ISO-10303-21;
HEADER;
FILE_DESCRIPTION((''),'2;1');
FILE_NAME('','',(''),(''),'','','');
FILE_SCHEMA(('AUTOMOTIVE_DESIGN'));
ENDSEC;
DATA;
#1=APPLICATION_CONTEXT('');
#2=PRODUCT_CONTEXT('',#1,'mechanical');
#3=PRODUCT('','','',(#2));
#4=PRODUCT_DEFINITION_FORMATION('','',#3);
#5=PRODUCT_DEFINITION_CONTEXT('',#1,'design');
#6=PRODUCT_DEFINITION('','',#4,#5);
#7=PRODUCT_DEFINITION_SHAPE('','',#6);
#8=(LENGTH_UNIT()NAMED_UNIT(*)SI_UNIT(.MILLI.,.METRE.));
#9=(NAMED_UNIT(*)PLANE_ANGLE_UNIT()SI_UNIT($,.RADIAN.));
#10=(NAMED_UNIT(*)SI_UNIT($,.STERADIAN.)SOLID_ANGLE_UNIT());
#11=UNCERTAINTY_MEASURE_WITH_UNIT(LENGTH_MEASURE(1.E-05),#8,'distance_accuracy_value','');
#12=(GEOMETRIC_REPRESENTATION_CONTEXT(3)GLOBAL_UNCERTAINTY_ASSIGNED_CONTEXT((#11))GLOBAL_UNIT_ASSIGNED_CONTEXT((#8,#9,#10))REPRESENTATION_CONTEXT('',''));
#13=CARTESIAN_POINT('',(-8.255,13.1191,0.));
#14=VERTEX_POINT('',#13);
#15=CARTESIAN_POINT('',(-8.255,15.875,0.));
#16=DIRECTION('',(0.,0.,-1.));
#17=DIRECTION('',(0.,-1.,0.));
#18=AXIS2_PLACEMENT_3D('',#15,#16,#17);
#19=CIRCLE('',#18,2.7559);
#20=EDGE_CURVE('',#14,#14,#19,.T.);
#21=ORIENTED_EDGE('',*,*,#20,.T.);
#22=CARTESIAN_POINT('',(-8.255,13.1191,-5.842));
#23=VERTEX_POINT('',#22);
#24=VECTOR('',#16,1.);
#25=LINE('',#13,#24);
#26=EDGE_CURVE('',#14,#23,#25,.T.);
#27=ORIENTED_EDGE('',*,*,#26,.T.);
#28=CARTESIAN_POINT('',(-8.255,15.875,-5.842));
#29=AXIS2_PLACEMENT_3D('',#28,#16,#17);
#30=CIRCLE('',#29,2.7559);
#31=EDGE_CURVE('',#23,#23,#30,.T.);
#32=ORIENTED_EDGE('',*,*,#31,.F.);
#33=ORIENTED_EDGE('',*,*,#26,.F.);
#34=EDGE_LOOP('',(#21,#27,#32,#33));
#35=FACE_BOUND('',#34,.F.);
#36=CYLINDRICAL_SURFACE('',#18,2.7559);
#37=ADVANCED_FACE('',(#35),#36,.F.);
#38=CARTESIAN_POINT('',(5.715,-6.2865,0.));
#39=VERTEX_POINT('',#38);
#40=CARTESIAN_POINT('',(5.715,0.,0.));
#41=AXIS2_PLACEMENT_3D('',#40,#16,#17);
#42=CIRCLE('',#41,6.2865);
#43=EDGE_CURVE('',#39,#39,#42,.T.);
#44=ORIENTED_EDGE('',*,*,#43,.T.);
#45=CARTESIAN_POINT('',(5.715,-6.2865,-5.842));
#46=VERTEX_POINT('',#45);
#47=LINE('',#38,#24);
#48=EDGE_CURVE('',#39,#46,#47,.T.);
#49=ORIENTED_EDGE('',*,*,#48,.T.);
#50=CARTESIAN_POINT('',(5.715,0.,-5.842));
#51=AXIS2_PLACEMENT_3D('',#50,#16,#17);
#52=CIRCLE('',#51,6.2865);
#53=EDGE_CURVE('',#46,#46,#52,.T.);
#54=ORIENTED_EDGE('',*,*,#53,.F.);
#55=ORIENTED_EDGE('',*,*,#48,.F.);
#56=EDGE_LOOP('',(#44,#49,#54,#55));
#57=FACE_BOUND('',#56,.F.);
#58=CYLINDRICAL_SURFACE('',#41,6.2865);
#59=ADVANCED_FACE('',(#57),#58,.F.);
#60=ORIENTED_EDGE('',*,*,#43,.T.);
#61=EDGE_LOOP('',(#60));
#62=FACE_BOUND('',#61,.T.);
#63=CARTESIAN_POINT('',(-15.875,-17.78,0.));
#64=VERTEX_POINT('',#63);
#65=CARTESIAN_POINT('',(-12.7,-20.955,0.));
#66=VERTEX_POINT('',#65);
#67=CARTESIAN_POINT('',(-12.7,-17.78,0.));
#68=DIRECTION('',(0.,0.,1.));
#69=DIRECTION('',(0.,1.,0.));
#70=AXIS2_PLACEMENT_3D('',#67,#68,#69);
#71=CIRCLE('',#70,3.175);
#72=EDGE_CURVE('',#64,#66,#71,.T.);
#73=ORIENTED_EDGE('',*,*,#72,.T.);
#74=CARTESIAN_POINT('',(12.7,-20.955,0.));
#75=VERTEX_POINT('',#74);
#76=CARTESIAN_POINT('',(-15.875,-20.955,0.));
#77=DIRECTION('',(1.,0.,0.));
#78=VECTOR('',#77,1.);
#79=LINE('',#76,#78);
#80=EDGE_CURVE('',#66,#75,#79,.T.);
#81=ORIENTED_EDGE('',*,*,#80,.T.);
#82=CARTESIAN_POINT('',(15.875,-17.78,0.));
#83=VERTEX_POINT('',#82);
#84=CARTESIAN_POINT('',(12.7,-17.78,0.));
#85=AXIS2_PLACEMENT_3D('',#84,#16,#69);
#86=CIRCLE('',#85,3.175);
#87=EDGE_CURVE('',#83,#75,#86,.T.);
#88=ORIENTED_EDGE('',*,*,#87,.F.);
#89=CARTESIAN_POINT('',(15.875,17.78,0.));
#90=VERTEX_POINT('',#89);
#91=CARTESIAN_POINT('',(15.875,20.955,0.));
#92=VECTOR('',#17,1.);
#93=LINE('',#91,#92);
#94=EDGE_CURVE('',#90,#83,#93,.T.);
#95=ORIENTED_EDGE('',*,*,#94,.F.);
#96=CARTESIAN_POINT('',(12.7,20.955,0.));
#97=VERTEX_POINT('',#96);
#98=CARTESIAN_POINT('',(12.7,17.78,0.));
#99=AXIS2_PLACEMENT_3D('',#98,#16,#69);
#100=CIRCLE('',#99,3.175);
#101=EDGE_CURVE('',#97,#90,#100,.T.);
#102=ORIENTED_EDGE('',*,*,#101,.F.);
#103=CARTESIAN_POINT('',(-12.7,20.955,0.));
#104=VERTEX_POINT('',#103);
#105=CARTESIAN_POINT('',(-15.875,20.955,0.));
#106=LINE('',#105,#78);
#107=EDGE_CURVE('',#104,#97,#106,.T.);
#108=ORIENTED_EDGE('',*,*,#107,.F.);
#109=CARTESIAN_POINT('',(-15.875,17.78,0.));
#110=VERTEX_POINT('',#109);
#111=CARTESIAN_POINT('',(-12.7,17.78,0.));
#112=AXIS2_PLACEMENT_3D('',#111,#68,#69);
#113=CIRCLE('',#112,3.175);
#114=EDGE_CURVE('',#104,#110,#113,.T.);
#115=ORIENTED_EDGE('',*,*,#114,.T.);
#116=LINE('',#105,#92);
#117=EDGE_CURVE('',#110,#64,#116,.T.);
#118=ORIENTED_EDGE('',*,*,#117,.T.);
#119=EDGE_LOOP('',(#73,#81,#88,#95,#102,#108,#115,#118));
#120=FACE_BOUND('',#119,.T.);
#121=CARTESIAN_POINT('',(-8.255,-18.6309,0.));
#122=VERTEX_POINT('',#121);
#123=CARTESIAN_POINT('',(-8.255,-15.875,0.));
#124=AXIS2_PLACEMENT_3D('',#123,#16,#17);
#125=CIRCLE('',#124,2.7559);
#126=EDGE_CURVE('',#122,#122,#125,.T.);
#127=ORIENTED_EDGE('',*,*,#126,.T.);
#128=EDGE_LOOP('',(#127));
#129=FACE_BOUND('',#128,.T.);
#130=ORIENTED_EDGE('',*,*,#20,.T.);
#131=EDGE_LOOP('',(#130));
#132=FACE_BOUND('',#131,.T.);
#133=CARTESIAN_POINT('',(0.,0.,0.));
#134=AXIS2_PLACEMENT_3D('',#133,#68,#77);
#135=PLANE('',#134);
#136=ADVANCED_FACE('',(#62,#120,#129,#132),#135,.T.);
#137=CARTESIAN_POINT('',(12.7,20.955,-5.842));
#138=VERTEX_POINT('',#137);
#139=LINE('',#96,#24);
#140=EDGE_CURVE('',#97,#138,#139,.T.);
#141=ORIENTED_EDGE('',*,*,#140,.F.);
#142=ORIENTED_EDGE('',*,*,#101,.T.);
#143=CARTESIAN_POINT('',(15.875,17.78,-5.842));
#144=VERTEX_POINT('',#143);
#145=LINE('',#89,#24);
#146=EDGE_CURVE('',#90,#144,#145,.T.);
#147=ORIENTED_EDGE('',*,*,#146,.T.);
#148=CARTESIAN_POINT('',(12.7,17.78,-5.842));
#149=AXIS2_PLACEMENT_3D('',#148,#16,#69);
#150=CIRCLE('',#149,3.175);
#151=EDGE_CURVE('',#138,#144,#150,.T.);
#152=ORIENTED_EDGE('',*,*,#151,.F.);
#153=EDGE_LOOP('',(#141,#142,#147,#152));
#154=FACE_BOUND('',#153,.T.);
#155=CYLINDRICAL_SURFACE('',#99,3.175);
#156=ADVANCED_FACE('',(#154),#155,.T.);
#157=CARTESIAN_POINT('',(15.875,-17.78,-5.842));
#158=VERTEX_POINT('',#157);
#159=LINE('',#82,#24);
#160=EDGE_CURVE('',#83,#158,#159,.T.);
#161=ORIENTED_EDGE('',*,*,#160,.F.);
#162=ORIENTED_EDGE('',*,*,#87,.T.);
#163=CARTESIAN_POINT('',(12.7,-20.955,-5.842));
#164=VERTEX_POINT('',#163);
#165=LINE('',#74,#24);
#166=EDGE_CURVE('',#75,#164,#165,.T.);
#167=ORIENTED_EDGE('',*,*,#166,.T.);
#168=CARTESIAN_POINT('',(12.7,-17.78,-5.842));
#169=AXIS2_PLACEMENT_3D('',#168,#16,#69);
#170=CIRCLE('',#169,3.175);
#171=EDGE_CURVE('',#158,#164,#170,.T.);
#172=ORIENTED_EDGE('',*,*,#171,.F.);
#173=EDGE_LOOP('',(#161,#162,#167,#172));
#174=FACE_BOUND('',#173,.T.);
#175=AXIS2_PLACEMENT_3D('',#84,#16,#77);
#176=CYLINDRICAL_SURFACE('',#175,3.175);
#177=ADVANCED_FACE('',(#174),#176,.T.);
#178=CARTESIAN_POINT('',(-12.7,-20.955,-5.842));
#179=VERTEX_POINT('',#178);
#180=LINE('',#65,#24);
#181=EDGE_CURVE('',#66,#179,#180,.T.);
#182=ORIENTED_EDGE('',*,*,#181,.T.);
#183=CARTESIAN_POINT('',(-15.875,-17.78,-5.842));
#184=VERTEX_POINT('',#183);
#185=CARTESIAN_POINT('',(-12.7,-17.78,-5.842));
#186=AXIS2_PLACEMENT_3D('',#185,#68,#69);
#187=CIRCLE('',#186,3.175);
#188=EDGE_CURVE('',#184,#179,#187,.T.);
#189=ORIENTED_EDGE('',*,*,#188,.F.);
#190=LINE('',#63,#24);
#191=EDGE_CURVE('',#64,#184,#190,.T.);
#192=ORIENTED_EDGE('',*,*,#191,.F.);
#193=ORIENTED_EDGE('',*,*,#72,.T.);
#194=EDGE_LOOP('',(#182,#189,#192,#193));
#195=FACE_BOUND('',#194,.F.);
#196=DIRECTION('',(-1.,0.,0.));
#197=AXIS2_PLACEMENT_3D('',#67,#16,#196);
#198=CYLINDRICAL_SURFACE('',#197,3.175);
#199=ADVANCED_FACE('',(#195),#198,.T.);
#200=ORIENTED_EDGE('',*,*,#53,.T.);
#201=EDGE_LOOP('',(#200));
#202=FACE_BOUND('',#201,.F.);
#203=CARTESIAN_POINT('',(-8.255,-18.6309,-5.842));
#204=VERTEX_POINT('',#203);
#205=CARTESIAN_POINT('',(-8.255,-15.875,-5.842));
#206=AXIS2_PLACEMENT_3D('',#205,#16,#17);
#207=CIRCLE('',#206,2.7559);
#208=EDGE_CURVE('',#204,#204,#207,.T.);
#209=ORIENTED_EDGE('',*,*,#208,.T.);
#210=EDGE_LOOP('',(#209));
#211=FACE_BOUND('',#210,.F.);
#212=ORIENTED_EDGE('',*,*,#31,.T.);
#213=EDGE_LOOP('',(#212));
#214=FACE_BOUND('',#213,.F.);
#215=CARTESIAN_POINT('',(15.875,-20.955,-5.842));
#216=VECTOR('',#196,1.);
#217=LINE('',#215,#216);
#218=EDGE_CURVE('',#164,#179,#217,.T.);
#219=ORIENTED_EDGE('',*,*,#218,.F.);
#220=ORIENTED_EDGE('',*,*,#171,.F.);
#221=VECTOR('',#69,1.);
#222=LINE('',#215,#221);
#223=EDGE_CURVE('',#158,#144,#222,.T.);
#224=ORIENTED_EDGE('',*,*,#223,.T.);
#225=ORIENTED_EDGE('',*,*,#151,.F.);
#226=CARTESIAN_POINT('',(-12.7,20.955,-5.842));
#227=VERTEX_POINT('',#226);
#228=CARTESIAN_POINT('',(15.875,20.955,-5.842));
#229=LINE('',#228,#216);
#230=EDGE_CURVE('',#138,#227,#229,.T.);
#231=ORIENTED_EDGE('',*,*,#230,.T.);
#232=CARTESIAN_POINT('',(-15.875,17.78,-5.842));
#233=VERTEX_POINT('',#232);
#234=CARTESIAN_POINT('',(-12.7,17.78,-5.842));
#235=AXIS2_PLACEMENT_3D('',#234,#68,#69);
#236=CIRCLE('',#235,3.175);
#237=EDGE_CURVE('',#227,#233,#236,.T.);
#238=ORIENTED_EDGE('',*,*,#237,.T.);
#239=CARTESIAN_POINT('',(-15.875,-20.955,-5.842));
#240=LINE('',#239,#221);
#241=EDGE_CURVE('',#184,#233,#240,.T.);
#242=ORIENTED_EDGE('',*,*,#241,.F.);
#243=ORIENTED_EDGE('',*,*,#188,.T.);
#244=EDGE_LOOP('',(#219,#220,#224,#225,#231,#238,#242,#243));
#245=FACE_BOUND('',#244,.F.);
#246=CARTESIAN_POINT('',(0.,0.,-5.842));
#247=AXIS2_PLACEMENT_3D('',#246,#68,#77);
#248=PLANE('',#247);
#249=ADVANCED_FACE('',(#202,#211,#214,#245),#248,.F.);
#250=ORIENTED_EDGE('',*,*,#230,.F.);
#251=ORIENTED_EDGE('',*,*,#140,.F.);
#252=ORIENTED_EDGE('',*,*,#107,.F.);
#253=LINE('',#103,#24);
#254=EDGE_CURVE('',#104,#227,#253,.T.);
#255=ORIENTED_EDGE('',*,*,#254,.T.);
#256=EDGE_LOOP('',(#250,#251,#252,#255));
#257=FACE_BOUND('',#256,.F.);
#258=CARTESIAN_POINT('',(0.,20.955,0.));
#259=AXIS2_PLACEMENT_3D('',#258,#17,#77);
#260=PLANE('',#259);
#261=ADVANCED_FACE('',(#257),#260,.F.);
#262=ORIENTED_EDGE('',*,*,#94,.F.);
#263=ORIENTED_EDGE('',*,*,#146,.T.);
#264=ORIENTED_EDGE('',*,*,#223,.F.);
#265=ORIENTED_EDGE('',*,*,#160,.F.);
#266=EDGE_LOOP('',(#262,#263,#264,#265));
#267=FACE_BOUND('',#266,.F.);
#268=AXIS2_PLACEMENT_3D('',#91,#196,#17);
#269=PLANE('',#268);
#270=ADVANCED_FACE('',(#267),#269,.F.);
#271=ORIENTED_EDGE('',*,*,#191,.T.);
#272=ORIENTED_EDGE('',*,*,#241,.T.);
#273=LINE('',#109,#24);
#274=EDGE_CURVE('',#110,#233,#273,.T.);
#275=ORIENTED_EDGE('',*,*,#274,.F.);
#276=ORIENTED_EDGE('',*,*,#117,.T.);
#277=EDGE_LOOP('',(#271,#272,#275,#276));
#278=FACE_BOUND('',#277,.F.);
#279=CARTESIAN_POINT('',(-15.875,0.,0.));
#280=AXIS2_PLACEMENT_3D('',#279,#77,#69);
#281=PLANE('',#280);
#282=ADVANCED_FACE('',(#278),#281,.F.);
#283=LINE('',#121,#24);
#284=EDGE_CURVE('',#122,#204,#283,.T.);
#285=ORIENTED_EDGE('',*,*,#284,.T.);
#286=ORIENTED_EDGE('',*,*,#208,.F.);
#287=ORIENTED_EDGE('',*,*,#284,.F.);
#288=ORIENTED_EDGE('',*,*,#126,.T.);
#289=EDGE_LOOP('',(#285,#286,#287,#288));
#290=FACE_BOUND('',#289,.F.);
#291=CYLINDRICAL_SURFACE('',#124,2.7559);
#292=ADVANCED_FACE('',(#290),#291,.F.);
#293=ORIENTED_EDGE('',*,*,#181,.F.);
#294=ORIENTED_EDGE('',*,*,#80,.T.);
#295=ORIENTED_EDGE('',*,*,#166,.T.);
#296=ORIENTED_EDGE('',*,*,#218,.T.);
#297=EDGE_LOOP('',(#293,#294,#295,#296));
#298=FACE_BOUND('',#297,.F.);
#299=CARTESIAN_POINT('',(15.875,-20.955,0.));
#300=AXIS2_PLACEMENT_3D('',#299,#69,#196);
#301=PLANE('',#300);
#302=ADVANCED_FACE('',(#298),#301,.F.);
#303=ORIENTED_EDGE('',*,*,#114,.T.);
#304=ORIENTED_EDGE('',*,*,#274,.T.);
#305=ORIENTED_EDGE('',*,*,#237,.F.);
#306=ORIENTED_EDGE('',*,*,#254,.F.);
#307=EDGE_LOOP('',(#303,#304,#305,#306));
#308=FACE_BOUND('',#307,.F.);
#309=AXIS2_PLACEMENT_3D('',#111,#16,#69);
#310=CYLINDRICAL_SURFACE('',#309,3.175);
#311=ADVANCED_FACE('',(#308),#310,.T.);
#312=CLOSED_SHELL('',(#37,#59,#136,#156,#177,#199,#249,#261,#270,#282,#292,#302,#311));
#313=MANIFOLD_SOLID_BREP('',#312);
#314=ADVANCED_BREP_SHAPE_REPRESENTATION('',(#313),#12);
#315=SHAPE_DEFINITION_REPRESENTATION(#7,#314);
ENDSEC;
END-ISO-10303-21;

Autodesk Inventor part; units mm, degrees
ref_plane "YZ Plane" through (0, 0, 0) normal (1, 0, 0) x (0, 1, 0)
ref_plane "XZ Plane" through (0, 0, 0) normal (0, 1, 0) x (-1, 0, 0)
ref_plane "XY Plane" through (0, 0, 0) normal (0, 0, 1) x (1, 0, 0)
sketch "Sketch1" plane through (0, 0, 0) normal (0, 0, 1) x (1, 0, 0)
  line L0 (0, 29.337) -> (0, -29.337) projected
  line L1 (-22.225, 0) -> (22.225, 0) projected
  line L2 (15.875, -20.955) -> (-15.875, -20.955)
  line L3 (-15.875, -20.955) -> (-15.875, 20.955)
  line L4 (-15.875, 20.955) -> (15.875, 20.955)
  line L5 (15.875, 20.955) -> (15.875, -20.955)
  line L6 (15.875, -20.955) -> (-15.875, 20.955) construction
  line L7 (-15.875, -20.955) -> (15.875, 20.955) construction
  point P0 (0, 0)
  point P1 (-8.255, 15.875)
  point P2 (-8.255, -15.875)
  point P3 (5.715, 0)
  dimension "d0" = 41.91
  dimension "d1" = 31.75
  dimension "d2" = 31.75
  dimension "d3" = 15.875
  dimension "d4" = 7.62
  dimension "d5" = 10.16
extrude "Extrusion1" add sketch "Sketch1" against normal blind 5.842
hole "Hole1" at (-8.255, 15.875, 0) at (-8.255, -15.875, 0) direction (0, 0, -1) diameter 5.5118 end through all clearance for "Socket Head Cap Screw" size "M5" standard "Ansi Metric M Profile"
hole "Hole2" at (5.715, 0, 0) direction (0, 0, -1) diameter 12.573 end through all
fillet "Fillet1" radius 3.175 4 edges at (-15.875, -20.955, -2.921) (15.875, -20.955, -2.921) (15.875, 20.955, -2.921) (-15.875, 20.955, -2.921)
equation "\"d3\" = 0.5 * d2"
